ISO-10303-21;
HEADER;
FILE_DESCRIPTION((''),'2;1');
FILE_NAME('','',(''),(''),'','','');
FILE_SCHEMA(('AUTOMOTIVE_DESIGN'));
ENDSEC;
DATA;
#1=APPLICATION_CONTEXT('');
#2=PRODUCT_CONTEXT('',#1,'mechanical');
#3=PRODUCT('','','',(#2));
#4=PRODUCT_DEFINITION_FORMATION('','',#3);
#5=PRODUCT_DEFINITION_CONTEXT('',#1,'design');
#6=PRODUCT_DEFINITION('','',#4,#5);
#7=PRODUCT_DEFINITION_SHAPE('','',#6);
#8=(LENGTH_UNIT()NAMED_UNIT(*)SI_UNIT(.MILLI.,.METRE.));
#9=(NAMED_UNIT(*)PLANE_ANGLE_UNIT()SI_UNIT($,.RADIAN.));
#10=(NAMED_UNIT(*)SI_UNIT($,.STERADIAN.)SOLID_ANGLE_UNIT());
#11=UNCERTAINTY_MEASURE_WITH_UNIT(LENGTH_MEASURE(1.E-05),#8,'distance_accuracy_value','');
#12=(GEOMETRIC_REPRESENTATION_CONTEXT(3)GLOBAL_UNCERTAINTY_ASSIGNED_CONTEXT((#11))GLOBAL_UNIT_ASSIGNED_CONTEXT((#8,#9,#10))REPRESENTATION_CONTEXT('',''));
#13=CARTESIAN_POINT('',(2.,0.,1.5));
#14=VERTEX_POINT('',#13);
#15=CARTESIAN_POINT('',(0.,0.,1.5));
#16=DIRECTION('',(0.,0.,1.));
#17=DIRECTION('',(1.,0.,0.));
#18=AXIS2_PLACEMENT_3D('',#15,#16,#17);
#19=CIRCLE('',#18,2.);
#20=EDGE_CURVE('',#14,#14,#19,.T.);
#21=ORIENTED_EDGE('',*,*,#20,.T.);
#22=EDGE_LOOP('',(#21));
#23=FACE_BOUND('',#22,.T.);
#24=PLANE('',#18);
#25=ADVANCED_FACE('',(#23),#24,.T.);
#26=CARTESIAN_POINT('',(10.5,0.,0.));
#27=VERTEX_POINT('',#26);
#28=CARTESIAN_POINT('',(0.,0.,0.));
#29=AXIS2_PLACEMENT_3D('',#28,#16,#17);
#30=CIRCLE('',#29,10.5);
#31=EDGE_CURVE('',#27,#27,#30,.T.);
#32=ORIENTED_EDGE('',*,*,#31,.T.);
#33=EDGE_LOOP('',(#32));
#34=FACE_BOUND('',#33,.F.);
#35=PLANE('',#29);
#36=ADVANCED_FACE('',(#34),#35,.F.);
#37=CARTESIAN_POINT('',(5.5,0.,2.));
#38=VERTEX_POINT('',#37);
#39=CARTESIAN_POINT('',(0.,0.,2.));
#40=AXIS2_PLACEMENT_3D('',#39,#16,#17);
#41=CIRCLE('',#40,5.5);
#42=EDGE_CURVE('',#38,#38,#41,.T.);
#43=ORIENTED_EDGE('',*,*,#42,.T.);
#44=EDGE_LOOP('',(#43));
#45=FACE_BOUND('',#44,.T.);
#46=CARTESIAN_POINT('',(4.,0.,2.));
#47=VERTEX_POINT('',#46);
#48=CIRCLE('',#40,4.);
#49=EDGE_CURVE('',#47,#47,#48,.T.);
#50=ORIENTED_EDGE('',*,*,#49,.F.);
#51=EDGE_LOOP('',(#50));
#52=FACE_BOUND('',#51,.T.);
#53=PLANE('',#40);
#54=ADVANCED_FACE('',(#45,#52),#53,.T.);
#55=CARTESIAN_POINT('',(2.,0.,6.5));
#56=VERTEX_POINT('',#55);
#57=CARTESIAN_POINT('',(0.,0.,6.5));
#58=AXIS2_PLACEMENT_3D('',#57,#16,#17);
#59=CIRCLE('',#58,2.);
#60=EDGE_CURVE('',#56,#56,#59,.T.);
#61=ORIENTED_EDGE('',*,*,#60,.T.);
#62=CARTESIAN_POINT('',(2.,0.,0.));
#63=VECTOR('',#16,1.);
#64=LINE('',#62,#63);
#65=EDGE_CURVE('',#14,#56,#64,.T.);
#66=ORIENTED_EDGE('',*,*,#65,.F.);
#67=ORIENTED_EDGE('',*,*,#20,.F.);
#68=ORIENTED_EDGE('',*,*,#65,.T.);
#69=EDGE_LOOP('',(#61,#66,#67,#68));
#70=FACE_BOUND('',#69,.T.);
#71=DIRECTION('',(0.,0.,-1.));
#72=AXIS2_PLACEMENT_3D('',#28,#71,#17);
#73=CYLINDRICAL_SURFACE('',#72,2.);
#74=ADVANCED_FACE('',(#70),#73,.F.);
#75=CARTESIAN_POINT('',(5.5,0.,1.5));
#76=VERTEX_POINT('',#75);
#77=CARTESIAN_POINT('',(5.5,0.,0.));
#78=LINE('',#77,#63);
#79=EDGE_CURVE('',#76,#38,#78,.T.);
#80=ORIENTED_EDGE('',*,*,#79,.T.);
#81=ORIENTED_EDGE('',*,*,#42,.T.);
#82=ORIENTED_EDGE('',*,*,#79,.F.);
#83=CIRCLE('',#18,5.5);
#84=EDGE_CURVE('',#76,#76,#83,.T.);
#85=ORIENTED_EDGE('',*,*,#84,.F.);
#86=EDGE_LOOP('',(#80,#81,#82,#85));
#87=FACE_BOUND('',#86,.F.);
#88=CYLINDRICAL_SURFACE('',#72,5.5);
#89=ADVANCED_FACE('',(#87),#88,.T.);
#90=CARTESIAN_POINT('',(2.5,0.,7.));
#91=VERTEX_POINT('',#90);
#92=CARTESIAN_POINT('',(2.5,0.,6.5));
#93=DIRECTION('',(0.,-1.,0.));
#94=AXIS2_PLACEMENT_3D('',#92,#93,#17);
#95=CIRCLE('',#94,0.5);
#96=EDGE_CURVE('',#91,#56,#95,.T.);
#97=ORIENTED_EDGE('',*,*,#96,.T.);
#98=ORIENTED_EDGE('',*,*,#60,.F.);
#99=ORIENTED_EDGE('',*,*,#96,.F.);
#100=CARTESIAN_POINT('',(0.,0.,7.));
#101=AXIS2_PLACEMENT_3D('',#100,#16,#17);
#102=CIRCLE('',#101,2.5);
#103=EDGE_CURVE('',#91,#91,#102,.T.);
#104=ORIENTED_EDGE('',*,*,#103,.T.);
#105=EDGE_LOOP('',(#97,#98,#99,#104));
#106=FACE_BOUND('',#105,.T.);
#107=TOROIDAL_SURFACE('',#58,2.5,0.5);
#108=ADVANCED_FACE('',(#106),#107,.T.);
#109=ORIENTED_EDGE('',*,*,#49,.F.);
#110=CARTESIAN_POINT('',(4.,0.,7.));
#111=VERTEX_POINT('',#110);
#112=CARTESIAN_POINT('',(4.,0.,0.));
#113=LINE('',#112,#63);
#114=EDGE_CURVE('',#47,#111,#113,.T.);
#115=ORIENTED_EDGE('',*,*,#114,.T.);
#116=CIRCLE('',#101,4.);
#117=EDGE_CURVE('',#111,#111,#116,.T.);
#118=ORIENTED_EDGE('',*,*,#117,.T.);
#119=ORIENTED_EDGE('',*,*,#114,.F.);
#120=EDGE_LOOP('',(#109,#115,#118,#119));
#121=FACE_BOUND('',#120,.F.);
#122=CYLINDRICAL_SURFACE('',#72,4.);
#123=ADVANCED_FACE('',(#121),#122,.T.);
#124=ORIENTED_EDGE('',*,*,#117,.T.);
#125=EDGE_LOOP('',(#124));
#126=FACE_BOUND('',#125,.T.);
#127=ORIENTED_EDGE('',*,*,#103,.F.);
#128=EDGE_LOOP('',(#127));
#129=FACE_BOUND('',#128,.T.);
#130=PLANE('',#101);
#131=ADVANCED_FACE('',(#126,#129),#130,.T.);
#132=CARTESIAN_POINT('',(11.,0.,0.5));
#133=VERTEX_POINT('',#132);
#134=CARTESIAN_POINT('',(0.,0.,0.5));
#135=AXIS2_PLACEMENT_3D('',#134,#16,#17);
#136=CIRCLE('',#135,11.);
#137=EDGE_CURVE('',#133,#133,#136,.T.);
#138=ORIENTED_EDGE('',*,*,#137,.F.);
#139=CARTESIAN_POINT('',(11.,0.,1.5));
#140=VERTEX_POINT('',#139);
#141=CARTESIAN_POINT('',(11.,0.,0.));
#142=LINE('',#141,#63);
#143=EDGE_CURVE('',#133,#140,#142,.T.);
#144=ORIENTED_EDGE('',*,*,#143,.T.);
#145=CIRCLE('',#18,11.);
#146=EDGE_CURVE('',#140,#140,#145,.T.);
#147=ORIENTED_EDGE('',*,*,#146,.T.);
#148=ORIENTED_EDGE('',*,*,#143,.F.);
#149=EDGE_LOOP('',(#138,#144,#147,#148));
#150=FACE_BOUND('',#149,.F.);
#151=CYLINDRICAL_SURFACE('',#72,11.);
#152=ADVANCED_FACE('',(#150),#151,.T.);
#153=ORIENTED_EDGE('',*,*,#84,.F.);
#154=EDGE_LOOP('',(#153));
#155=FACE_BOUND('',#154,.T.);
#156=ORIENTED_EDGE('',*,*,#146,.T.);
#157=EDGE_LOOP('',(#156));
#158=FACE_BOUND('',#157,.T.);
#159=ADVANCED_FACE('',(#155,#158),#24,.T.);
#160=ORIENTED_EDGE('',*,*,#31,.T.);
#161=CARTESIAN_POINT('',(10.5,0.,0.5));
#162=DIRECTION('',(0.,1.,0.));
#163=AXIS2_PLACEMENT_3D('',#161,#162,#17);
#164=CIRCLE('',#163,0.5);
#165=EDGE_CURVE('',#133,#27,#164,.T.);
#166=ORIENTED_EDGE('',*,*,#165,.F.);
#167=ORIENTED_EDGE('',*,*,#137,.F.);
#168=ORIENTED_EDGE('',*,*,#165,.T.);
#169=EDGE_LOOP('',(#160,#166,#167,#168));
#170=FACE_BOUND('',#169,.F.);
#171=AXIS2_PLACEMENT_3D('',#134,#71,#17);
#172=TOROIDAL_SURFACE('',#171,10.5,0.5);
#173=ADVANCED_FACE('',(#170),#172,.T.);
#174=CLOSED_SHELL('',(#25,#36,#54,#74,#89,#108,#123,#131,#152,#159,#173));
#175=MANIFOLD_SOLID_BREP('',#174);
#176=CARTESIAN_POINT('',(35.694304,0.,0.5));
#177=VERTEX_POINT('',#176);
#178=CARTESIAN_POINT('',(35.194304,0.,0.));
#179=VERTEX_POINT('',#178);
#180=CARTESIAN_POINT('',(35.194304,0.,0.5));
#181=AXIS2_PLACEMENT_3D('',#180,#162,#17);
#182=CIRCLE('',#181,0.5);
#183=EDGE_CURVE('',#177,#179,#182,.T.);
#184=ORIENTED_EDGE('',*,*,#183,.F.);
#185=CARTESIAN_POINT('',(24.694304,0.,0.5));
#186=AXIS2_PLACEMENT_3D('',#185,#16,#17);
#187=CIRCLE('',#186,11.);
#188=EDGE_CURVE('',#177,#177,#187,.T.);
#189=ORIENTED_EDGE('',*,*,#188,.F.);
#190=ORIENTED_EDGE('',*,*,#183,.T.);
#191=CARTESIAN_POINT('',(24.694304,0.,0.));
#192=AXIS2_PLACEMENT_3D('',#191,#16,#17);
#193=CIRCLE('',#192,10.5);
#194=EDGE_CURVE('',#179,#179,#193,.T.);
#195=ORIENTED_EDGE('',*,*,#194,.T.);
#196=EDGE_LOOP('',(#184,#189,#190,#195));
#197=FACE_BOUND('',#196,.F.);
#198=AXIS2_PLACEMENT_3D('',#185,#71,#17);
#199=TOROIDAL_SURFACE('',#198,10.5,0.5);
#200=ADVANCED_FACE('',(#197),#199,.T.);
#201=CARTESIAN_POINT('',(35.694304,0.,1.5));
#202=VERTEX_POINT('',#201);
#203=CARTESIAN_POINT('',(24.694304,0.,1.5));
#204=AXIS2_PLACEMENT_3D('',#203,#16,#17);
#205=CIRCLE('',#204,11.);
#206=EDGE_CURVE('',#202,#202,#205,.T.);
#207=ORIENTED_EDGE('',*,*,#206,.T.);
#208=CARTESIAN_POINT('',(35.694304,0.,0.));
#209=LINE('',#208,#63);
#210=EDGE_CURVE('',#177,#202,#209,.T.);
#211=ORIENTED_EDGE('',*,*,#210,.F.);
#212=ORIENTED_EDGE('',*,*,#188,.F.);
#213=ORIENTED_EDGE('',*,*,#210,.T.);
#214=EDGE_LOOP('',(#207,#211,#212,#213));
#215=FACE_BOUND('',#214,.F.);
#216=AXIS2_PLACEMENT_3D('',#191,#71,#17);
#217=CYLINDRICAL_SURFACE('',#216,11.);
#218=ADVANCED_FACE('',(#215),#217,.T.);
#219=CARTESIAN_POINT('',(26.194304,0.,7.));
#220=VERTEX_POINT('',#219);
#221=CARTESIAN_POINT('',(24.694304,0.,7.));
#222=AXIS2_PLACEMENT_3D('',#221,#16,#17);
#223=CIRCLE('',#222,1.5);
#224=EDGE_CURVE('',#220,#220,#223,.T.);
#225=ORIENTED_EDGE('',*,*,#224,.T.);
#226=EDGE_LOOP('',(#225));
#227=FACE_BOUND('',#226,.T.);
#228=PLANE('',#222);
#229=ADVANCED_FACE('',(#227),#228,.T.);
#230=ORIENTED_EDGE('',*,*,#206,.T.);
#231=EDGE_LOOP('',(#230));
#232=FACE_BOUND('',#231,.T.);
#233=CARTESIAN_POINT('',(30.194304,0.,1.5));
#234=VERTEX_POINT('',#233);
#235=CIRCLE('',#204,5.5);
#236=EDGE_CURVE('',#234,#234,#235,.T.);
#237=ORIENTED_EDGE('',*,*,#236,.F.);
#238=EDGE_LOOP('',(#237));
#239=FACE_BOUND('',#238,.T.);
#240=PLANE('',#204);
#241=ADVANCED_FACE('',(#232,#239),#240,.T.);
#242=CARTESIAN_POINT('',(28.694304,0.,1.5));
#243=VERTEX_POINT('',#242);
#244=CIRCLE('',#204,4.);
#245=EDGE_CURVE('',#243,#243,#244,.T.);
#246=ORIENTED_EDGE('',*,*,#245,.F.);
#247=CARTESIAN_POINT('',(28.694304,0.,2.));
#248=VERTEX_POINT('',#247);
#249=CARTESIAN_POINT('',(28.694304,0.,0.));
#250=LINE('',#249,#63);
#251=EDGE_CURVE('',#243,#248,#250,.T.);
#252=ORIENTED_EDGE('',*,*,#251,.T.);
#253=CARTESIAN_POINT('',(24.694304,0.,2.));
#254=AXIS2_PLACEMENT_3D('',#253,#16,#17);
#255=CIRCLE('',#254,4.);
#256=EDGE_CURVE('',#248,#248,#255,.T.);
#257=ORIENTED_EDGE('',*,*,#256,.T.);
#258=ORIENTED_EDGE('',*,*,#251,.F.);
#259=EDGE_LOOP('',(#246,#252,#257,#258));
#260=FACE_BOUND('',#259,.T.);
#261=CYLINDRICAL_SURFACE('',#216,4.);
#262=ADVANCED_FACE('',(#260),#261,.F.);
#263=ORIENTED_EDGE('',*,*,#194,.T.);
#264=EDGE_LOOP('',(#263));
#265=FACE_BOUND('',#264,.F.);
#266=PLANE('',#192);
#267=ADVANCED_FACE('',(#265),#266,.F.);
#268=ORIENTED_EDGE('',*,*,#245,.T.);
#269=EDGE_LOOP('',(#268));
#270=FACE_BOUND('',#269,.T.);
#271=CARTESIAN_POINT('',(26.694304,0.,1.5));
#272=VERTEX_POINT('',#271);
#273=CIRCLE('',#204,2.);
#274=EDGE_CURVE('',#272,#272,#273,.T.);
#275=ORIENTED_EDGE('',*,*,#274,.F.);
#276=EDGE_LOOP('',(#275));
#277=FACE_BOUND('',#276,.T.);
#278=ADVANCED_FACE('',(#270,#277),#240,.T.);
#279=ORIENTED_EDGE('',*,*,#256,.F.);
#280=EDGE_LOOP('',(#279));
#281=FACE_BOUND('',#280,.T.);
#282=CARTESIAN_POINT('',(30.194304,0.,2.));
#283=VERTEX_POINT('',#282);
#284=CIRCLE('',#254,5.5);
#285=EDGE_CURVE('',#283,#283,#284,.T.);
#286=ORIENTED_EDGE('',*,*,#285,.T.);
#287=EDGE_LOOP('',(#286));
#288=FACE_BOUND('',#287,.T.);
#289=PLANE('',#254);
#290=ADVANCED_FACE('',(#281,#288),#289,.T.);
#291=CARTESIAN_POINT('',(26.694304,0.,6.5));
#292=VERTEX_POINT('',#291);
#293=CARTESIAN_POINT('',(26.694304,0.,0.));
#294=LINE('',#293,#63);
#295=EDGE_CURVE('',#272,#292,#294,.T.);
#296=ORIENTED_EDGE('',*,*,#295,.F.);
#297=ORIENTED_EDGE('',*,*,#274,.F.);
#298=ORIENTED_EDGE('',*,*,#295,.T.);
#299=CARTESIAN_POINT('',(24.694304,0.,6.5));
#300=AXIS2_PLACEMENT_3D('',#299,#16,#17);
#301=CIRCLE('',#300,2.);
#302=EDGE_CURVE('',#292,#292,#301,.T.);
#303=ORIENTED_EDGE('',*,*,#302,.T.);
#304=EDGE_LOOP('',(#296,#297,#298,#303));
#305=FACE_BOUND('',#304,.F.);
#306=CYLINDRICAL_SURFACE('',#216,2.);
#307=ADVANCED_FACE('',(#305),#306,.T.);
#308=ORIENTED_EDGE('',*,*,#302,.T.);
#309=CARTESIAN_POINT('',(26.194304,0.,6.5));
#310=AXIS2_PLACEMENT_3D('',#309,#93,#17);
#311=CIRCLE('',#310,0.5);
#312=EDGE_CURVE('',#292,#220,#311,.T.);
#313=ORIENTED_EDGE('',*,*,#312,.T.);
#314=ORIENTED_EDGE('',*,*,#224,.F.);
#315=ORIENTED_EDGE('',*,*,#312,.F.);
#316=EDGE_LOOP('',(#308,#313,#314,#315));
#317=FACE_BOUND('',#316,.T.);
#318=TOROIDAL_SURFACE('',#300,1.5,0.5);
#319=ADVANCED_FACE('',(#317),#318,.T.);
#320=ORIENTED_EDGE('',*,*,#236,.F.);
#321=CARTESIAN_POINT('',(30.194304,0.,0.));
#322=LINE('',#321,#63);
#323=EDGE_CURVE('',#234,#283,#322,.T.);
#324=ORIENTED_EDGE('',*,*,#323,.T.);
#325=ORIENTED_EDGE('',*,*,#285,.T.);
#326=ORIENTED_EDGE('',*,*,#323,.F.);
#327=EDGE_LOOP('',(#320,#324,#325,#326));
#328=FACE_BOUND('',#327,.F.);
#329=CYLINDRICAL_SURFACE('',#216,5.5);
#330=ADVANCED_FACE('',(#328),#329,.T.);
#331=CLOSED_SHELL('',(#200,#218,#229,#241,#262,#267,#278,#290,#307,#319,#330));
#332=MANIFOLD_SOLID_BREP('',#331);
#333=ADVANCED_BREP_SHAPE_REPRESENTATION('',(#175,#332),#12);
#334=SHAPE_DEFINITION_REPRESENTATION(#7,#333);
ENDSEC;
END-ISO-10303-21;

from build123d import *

# Parameters (mm, degrees)
F0_R     = 11
F0_R_2   = 5.5
F1_DEPTH = 1.5
F0_R_3   = 4
F2_DEPTH = 2
F0_R_4   = 2
F3_DEPTH = 7
F4_DEPTH = 1.5
F5_R     = 0.5
F5_2_R   = 0.5
F6_R     = 0.5
F6_2_R   = 0.5


with BuildPart() as f1:
    # F0 (on Top) → F1 (new body)
    with BuildSketch(Plane.XY):
        Circle(F0_R)
        Circle(F0_R_2, mode=Mode.SUBTRACT)
    extrude(amount=F1_DEPTH)

    # F0 (on Top) → F2 (join)
    with BuildSketch(Plane.XY):
        Circle(F0_R_2)
        Circle(F0_R_3, mode=Mode.SUBTRACT)
    extrude(amount=F2_DEPTH)

    # F0 (on Top) → F3 (join)
    with BuildSketch(Plane.XY):
        Circle(F0_R_3)
        Circle(F0_R_4, mode=Mode.SUBTRACT)
    extrude(amount=F3_DEPTH)

    # F0 (on Top) → F4 (join)
    with BuildSketch(Plane.XY):
        Circle(F0_R_4)
    extrude(amount=F4_DEPTH)

    # F5
    f5_edges = [f1.edges().sort_by_distance(p)[0] for p in [
        (-2, 0, 7),
    ]]
    fillet(f5_edges, radius=F5_R)

    # F6#2
    f6_2_edges = [f1.edges().sort_by_distance(p)[0] for p in [
        (-11, 0, 0),
    ]]
    fillet(f6_2_edges, radius=F6_2_R)


with BuildPart() as f1b:
    # F0 (on Top) → F1, piece 2 (new body)
    with BuildSketch(Plane.XY):
        with Locations((24.6943037211, 0)):
            Circle(F0_R)
        with Locations((24.6943037211, 0)):
            Circle(F0_R_2, mode=Mode.SUBTRACT)
    extrude(amount=F1_DEPTH)

    # F0 (on Top) → F2, piece 2 (join)
    with BuildSketch(Plane.XY):
        with Locations((24.6943037211, 0)):
            Circle(F0_R_2)
        with Locations((24.6943037211, 0)):
            Circle(F0_R_3, mode=Mode.SUBTRACT)
    extrude(amount=F2_DEPTH)



with BuildPart() as f3:
    # F0 (on Top) → F3, piece 2 (new body)
    with BuildSketch(Plane.XY):
        with Locations((24.6943037211, 0)):
            Circle(F0_R_4)
    extrude(amount=F3_DEPTH)


with BuildPart() as f1b_1:
    add(f1b.part)

    add(f3.part)  # F4#2 merges F3
    # F0 (on Top) → F4, piece 2 (join)
    with BuildSketch(Plane.XY):
        with Locations((24.6943037211, 0)):
            Circle(F0_R_3)
        with Locations((24.6943037211, 0)):
            Circle(F0_R_4, mode=Mode.SUBTRACT)
    extrude(amount=F4_DEPTH)

    # F5#2
    f5_2_edges = [f1b_1.edges().sort_by_distance(p)[0] for p in [
        (22.694304, 0, 7),
    ]]
    fillet(f5_2_edges, radius=F5_2_R)

    # F6
    f6_edges = [f1b_1.edges().sort_by_distance(p)[0] for p in [
        (13.694304, 0, 0),
    ]]
    fillet(f6_edges, radius=F6_R)


solid = Compound([f1.part, f1b_1.part])
